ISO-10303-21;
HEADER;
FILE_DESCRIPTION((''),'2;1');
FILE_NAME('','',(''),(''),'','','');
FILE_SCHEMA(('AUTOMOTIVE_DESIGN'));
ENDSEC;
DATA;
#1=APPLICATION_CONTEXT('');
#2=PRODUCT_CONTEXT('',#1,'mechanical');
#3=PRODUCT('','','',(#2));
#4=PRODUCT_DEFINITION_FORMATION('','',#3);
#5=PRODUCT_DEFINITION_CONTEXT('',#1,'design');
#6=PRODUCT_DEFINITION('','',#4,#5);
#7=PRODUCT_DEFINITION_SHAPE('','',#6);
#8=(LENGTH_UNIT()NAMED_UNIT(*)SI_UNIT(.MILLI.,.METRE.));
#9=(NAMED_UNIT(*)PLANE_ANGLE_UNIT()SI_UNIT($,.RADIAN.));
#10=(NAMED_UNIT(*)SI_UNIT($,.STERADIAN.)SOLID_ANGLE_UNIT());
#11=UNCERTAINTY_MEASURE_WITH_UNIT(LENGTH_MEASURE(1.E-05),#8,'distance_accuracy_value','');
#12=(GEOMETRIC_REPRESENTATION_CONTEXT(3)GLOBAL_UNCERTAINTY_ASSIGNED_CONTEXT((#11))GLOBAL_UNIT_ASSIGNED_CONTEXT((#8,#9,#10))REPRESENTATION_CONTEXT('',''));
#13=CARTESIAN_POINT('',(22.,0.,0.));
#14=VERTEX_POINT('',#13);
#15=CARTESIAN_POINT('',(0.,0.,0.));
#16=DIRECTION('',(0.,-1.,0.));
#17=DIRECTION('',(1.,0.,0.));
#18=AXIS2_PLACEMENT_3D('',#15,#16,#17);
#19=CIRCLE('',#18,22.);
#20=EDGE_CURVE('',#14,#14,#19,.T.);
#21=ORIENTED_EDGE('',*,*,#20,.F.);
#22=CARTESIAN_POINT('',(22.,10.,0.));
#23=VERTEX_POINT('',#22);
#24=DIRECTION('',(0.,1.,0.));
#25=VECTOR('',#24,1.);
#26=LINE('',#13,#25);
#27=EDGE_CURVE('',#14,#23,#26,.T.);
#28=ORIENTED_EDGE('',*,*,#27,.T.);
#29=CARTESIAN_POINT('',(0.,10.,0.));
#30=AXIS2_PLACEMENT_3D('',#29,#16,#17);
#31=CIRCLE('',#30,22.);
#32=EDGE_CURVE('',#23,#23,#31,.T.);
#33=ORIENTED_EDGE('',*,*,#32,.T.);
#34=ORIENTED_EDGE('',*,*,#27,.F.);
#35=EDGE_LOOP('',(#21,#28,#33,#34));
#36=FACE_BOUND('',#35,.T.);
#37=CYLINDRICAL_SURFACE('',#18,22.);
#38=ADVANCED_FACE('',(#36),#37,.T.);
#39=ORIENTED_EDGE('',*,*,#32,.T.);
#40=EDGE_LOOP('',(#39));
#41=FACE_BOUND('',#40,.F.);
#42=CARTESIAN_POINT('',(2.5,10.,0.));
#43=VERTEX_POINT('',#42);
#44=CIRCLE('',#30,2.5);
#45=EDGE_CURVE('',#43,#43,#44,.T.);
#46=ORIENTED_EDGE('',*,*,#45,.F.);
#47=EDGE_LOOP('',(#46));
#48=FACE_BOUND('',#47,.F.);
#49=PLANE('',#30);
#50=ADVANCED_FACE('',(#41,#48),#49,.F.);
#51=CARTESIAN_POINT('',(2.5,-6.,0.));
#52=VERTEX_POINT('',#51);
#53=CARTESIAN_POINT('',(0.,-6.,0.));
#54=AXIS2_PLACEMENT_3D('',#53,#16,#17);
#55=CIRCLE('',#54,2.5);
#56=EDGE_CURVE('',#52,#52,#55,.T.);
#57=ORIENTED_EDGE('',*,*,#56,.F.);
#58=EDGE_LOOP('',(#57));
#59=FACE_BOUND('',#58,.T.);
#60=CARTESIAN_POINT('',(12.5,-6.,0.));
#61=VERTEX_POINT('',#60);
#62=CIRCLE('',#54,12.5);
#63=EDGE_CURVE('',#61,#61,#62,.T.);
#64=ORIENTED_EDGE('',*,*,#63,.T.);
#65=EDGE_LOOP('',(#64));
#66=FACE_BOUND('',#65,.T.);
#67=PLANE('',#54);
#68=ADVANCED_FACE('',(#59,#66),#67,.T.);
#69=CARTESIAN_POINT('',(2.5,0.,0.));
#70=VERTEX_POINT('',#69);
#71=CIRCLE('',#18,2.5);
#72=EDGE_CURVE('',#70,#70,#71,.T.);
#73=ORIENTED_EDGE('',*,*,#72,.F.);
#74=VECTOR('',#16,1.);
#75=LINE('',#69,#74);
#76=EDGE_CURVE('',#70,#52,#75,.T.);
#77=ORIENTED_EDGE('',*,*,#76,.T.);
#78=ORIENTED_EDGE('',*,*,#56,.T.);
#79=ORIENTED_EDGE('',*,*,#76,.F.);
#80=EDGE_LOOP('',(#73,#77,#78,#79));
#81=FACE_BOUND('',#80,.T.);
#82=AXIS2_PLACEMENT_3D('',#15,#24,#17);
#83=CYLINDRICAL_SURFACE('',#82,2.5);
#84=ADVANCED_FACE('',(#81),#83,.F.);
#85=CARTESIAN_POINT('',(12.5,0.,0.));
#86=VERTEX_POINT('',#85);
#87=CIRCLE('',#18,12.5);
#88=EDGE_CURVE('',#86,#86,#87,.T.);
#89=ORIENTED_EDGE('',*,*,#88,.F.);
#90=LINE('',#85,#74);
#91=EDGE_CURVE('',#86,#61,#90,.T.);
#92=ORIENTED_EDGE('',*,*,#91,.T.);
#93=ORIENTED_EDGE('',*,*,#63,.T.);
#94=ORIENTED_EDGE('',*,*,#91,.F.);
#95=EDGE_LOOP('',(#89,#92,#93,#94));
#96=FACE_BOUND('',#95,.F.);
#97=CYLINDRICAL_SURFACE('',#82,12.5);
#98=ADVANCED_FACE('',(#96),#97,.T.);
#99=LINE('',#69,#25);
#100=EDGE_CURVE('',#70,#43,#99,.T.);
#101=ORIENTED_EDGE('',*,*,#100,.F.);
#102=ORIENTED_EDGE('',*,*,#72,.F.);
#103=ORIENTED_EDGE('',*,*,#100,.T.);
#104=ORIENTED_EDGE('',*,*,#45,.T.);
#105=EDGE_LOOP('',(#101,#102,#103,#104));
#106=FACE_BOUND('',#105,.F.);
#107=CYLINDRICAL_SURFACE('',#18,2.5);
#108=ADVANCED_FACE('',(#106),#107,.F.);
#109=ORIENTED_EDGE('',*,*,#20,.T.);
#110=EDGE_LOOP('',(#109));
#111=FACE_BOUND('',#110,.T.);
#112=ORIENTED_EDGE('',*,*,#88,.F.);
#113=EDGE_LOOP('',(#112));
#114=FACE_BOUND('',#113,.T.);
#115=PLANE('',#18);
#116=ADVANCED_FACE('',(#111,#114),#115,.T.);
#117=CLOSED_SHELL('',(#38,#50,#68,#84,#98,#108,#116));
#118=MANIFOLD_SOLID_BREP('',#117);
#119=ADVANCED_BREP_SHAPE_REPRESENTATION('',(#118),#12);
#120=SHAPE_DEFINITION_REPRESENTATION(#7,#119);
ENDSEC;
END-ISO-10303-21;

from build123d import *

# Parameters (mm, degrees)
F0_R     = 12.5
F0_R_2   = 2.5
F1_DEPTH = 6
F0_R_3   = 22
F2_DEPTH = 10


with BuildPart() as f1:
    # F0 (on Front) → F1 (new body)
    with BuildSketch(Plane.XZ):
        Circle(F0_R)
        Circle(F0_R_2, mode=Mode.SUBTRACT)
    extrude(amount=F1_DEPTH)

    # F0 (on Front) → F2 (join)
    with BuildSketch(Plane.XZ):
        Circle(F0_R_3)
        Circle(F0_R, mode=Mode.SUBTRACT)
        Circle(F0_R)
        Circle(F0_R_2, mode=Mode.SUBTRACT)
    extrude(amount=-F2_DEPTH)


solid = f1.part
